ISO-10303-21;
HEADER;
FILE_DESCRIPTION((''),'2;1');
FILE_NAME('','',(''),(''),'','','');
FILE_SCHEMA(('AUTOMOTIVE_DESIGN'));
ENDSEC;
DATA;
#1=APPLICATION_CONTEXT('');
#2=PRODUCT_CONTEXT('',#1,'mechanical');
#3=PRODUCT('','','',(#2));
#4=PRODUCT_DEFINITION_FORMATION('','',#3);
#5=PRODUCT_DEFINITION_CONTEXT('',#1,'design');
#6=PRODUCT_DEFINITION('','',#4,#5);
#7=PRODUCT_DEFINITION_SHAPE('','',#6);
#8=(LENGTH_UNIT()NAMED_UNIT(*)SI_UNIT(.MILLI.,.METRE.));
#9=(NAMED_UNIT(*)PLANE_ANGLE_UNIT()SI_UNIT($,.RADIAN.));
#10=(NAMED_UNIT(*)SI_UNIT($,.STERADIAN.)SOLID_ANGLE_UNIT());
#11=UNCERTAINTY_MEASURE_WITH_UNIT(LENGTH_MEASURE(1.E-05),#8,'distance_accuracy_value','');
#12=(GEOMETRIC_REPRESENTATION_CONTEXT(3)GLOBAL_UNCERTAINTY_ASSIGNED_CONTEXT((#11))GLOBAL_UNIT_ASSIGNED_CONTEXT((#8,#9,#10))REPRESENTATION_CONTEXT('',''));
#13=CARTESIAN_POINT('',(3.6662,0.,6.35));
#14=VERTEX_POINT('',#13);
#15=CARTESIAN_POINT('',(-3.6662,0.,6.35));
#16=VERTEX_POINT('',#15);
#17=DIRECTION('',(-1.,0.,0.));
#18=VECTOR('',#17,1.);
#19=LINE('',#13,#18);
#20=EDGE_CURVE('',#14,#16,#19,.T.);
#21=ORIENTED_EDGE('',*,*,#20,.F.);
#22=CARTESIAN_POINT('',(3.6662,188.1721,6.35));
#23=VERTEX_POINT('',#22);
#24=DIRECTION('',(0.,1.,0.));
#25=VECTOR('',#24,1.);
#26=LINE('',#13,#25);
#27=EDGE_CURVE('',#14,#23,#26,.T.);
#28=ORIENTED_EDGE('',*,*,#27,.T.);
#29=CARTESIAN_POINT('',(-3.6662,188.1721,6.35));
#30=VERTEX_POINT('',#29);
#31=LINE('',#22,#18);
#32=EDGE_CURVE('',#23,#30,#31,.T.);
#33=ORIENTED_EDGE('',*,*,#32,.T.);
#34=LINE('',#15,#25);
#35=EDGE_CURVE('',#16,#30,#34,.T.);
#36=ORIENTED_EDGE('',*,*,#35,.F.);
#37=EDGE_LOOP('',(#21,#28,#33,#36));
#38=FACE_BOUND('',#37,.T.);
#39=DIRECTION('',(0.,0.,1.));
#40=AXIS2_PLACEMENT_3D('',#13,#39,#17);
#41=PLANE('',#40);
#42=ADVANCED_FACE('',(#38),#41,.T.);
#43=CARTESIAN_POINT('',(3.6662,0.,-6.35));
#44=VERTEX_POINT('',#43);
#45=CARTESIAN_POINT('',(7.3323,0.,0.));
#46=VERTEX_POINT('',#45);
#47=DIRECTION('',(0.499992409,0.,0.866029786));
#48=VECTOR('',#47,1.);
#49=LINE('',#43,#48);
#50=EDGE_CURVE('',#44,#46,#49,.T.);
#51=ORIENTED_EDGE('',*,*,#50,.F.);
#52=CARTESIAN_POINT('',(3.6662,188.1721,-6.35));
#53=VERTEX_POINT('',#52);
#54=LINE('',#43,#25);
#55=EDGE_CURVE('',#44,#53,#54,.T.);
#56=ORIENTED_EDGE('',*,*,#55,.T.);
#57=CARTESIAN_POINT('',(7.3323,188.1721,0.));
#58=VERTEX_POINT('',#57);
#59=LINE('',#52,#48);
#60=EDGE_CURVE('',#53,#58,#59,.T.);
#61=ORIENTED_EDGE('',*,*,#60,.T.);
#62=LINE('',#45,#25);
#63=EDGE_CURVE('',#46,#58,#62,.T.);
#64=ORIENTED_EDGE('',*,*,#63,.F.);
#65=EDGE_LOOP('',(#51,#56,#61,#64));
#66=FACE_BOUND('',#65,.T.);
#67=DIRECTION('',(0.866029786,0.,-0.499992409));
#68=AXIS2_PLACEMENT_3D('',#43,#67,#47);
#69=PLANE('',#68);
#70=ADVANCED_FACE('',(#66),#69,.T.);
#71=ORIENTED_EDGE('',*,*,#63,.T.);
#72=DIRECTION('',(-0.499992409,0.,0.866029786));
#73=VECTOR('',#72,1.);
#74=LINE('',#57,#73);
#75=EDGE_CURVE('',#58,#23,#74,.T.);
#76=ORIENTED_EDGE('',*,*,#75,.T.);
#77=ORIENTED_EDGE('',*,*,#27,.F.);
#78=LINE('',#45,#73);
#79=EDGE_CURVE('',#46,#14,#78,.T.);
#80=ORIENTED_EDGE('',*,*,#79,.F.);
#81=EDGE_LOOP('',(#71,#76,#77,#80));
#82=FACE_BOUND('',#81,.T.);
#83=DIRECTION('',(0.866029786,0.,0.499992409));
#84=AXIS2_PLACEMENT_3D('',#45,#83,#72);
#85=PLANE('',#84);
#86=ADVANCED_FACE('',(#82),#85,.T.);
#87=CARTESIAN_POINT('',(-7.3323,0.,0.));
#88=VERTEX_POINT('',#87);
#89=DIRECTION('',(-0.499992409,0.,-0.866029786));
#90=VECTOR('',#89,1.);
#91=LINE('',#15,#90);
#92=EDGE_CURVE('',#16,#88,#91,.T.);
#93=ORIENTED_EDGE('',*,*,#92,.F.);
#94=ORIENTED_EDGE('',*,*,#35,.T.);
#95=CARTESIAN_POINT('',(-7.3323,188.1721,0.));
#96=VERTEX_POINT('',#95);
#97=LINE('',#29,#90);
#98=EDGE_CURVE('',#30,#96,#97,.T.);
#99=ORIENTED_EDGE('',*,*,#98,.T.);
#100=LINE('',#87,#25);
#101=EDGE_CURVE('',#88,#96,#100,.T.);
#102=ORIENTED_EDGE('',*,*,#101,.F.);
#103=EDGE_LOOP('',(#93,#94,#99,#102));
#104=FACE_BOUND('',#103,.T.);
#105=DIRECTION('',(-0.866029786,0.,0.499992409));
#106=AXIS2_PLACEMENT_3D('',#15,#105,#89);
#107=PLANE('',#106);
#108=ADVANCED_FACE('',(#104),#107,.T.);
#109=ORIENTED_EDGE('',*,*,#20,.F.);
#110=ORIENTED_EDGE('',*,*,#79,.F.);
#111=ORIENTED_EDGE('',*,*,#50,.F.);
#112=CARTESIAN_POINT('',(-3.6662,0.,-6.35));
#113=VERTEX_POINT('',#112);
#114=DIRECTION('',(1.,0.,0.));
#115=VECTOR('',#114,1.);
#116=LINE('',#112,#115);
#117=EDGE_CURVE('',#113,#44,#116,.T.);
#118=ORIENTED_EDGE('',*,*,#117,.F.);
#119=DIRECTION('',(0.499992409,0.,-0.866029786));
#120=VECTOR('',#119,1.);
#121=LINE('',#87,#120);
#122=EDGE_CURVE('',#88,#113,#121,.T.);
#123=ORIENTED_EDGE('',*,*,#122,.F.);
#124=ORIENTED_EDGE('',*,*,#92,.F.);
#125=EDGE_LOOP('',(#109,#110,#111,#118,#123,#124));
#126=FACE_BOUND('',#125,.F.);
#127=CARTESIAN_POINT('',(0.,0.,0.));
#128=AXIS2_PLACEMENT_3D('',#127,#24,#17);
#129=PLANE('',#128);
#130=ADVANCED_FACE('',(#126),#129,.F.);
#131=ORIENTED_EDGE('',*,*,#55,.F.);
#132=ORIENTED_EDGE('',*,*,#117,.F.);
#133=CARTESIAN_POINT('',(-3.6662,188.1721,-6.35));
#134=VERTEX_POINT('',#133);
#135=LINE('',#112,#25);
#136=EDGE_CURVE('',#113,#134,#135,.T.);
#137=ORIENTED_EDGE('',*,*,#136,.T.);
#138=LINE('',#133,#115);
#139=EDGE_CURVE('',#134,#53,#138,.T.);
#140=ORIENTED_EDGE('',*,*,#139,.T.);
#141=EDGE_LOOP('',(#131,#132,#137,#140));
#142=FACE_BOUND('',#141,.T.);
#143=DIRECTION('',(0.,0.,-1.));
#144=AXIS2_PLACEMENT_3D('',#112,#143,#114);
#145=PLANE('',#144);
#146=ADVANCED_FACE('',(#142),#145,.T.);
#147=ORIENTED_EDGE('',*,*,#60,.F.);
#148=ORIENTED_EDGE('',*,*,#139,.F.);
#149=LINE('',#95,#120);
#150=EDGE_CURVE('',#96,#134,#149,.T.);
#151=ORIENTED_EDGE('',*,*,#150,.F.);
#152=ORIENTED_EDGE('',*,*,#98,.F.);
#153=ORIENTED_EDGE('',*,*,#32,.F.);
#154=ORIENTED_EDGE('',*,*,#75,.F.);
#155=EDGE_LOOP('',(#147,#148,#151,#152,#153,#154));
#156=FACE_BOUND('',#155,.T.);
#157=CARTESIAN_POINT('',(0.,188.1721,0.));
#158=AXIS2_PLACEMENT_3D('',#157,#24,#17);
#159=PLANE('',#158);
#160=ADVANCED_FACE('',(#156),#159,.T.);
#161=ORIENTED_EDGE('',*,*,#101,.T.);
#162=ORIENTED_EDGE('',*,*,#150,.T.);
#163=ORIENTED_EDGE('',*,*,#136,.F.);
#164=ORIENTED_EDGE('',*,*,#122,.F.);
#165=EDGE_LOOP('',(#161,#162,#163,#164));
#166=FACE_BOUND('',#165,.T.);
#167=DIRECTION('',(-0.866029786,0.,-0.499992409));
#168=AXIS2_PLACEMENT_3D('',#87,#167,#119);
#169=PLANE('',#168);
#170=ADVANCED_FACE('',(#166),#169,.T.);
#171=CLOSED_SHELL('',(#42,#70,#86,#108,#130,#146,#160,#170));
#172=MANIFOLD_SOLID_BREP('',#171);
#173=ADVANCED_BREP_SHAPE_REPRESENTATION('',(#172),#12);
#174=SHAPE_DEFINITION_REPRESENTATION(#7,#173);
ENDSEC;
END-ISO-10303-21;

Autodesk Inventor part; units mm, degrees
ref_plane "YZ Plane" through (0, 0, 0) normal (1, 0, 0) x (0, 1, 0)
ref_plane "XZ Plane" through (0, 0, 0) normal (0, 1, 0) x (-1, 0, 0)
ref_plane "XY Plane" through (0, 0, 0) normal (0, 0, 1) x (1, 0, 0)
sketch "Sketch1" plane through (0, 0, 0) normal (0, 1, 0) x (-1, 0, 0)
  line L0 (3.6662, -6.35) -> (-3.6662, -6.35)
  line L1 (-3.6662, -6.35) -> (-7.3323, 0)
  line L2 (-7.3323, 0) -> (-3.6662, 6.35)
  line L3 (-3.6662, 6.35) -> (3.6662, 6.35)
  line L4 (3.6662, 6.35) -> (7.3323, 0)
  line L5 (7.3323, 0) -> (3.6662, -6.35)
  point P0 (0, 0)
  point P1 (0, 0)
  dimension "d0" = 12.7
extrude "Extrusion1" add sketch "Sketch1" along normal blind 188.1721
properties part number "STOCK,VERTICAL,HEX" material "Aluminum 6061"
